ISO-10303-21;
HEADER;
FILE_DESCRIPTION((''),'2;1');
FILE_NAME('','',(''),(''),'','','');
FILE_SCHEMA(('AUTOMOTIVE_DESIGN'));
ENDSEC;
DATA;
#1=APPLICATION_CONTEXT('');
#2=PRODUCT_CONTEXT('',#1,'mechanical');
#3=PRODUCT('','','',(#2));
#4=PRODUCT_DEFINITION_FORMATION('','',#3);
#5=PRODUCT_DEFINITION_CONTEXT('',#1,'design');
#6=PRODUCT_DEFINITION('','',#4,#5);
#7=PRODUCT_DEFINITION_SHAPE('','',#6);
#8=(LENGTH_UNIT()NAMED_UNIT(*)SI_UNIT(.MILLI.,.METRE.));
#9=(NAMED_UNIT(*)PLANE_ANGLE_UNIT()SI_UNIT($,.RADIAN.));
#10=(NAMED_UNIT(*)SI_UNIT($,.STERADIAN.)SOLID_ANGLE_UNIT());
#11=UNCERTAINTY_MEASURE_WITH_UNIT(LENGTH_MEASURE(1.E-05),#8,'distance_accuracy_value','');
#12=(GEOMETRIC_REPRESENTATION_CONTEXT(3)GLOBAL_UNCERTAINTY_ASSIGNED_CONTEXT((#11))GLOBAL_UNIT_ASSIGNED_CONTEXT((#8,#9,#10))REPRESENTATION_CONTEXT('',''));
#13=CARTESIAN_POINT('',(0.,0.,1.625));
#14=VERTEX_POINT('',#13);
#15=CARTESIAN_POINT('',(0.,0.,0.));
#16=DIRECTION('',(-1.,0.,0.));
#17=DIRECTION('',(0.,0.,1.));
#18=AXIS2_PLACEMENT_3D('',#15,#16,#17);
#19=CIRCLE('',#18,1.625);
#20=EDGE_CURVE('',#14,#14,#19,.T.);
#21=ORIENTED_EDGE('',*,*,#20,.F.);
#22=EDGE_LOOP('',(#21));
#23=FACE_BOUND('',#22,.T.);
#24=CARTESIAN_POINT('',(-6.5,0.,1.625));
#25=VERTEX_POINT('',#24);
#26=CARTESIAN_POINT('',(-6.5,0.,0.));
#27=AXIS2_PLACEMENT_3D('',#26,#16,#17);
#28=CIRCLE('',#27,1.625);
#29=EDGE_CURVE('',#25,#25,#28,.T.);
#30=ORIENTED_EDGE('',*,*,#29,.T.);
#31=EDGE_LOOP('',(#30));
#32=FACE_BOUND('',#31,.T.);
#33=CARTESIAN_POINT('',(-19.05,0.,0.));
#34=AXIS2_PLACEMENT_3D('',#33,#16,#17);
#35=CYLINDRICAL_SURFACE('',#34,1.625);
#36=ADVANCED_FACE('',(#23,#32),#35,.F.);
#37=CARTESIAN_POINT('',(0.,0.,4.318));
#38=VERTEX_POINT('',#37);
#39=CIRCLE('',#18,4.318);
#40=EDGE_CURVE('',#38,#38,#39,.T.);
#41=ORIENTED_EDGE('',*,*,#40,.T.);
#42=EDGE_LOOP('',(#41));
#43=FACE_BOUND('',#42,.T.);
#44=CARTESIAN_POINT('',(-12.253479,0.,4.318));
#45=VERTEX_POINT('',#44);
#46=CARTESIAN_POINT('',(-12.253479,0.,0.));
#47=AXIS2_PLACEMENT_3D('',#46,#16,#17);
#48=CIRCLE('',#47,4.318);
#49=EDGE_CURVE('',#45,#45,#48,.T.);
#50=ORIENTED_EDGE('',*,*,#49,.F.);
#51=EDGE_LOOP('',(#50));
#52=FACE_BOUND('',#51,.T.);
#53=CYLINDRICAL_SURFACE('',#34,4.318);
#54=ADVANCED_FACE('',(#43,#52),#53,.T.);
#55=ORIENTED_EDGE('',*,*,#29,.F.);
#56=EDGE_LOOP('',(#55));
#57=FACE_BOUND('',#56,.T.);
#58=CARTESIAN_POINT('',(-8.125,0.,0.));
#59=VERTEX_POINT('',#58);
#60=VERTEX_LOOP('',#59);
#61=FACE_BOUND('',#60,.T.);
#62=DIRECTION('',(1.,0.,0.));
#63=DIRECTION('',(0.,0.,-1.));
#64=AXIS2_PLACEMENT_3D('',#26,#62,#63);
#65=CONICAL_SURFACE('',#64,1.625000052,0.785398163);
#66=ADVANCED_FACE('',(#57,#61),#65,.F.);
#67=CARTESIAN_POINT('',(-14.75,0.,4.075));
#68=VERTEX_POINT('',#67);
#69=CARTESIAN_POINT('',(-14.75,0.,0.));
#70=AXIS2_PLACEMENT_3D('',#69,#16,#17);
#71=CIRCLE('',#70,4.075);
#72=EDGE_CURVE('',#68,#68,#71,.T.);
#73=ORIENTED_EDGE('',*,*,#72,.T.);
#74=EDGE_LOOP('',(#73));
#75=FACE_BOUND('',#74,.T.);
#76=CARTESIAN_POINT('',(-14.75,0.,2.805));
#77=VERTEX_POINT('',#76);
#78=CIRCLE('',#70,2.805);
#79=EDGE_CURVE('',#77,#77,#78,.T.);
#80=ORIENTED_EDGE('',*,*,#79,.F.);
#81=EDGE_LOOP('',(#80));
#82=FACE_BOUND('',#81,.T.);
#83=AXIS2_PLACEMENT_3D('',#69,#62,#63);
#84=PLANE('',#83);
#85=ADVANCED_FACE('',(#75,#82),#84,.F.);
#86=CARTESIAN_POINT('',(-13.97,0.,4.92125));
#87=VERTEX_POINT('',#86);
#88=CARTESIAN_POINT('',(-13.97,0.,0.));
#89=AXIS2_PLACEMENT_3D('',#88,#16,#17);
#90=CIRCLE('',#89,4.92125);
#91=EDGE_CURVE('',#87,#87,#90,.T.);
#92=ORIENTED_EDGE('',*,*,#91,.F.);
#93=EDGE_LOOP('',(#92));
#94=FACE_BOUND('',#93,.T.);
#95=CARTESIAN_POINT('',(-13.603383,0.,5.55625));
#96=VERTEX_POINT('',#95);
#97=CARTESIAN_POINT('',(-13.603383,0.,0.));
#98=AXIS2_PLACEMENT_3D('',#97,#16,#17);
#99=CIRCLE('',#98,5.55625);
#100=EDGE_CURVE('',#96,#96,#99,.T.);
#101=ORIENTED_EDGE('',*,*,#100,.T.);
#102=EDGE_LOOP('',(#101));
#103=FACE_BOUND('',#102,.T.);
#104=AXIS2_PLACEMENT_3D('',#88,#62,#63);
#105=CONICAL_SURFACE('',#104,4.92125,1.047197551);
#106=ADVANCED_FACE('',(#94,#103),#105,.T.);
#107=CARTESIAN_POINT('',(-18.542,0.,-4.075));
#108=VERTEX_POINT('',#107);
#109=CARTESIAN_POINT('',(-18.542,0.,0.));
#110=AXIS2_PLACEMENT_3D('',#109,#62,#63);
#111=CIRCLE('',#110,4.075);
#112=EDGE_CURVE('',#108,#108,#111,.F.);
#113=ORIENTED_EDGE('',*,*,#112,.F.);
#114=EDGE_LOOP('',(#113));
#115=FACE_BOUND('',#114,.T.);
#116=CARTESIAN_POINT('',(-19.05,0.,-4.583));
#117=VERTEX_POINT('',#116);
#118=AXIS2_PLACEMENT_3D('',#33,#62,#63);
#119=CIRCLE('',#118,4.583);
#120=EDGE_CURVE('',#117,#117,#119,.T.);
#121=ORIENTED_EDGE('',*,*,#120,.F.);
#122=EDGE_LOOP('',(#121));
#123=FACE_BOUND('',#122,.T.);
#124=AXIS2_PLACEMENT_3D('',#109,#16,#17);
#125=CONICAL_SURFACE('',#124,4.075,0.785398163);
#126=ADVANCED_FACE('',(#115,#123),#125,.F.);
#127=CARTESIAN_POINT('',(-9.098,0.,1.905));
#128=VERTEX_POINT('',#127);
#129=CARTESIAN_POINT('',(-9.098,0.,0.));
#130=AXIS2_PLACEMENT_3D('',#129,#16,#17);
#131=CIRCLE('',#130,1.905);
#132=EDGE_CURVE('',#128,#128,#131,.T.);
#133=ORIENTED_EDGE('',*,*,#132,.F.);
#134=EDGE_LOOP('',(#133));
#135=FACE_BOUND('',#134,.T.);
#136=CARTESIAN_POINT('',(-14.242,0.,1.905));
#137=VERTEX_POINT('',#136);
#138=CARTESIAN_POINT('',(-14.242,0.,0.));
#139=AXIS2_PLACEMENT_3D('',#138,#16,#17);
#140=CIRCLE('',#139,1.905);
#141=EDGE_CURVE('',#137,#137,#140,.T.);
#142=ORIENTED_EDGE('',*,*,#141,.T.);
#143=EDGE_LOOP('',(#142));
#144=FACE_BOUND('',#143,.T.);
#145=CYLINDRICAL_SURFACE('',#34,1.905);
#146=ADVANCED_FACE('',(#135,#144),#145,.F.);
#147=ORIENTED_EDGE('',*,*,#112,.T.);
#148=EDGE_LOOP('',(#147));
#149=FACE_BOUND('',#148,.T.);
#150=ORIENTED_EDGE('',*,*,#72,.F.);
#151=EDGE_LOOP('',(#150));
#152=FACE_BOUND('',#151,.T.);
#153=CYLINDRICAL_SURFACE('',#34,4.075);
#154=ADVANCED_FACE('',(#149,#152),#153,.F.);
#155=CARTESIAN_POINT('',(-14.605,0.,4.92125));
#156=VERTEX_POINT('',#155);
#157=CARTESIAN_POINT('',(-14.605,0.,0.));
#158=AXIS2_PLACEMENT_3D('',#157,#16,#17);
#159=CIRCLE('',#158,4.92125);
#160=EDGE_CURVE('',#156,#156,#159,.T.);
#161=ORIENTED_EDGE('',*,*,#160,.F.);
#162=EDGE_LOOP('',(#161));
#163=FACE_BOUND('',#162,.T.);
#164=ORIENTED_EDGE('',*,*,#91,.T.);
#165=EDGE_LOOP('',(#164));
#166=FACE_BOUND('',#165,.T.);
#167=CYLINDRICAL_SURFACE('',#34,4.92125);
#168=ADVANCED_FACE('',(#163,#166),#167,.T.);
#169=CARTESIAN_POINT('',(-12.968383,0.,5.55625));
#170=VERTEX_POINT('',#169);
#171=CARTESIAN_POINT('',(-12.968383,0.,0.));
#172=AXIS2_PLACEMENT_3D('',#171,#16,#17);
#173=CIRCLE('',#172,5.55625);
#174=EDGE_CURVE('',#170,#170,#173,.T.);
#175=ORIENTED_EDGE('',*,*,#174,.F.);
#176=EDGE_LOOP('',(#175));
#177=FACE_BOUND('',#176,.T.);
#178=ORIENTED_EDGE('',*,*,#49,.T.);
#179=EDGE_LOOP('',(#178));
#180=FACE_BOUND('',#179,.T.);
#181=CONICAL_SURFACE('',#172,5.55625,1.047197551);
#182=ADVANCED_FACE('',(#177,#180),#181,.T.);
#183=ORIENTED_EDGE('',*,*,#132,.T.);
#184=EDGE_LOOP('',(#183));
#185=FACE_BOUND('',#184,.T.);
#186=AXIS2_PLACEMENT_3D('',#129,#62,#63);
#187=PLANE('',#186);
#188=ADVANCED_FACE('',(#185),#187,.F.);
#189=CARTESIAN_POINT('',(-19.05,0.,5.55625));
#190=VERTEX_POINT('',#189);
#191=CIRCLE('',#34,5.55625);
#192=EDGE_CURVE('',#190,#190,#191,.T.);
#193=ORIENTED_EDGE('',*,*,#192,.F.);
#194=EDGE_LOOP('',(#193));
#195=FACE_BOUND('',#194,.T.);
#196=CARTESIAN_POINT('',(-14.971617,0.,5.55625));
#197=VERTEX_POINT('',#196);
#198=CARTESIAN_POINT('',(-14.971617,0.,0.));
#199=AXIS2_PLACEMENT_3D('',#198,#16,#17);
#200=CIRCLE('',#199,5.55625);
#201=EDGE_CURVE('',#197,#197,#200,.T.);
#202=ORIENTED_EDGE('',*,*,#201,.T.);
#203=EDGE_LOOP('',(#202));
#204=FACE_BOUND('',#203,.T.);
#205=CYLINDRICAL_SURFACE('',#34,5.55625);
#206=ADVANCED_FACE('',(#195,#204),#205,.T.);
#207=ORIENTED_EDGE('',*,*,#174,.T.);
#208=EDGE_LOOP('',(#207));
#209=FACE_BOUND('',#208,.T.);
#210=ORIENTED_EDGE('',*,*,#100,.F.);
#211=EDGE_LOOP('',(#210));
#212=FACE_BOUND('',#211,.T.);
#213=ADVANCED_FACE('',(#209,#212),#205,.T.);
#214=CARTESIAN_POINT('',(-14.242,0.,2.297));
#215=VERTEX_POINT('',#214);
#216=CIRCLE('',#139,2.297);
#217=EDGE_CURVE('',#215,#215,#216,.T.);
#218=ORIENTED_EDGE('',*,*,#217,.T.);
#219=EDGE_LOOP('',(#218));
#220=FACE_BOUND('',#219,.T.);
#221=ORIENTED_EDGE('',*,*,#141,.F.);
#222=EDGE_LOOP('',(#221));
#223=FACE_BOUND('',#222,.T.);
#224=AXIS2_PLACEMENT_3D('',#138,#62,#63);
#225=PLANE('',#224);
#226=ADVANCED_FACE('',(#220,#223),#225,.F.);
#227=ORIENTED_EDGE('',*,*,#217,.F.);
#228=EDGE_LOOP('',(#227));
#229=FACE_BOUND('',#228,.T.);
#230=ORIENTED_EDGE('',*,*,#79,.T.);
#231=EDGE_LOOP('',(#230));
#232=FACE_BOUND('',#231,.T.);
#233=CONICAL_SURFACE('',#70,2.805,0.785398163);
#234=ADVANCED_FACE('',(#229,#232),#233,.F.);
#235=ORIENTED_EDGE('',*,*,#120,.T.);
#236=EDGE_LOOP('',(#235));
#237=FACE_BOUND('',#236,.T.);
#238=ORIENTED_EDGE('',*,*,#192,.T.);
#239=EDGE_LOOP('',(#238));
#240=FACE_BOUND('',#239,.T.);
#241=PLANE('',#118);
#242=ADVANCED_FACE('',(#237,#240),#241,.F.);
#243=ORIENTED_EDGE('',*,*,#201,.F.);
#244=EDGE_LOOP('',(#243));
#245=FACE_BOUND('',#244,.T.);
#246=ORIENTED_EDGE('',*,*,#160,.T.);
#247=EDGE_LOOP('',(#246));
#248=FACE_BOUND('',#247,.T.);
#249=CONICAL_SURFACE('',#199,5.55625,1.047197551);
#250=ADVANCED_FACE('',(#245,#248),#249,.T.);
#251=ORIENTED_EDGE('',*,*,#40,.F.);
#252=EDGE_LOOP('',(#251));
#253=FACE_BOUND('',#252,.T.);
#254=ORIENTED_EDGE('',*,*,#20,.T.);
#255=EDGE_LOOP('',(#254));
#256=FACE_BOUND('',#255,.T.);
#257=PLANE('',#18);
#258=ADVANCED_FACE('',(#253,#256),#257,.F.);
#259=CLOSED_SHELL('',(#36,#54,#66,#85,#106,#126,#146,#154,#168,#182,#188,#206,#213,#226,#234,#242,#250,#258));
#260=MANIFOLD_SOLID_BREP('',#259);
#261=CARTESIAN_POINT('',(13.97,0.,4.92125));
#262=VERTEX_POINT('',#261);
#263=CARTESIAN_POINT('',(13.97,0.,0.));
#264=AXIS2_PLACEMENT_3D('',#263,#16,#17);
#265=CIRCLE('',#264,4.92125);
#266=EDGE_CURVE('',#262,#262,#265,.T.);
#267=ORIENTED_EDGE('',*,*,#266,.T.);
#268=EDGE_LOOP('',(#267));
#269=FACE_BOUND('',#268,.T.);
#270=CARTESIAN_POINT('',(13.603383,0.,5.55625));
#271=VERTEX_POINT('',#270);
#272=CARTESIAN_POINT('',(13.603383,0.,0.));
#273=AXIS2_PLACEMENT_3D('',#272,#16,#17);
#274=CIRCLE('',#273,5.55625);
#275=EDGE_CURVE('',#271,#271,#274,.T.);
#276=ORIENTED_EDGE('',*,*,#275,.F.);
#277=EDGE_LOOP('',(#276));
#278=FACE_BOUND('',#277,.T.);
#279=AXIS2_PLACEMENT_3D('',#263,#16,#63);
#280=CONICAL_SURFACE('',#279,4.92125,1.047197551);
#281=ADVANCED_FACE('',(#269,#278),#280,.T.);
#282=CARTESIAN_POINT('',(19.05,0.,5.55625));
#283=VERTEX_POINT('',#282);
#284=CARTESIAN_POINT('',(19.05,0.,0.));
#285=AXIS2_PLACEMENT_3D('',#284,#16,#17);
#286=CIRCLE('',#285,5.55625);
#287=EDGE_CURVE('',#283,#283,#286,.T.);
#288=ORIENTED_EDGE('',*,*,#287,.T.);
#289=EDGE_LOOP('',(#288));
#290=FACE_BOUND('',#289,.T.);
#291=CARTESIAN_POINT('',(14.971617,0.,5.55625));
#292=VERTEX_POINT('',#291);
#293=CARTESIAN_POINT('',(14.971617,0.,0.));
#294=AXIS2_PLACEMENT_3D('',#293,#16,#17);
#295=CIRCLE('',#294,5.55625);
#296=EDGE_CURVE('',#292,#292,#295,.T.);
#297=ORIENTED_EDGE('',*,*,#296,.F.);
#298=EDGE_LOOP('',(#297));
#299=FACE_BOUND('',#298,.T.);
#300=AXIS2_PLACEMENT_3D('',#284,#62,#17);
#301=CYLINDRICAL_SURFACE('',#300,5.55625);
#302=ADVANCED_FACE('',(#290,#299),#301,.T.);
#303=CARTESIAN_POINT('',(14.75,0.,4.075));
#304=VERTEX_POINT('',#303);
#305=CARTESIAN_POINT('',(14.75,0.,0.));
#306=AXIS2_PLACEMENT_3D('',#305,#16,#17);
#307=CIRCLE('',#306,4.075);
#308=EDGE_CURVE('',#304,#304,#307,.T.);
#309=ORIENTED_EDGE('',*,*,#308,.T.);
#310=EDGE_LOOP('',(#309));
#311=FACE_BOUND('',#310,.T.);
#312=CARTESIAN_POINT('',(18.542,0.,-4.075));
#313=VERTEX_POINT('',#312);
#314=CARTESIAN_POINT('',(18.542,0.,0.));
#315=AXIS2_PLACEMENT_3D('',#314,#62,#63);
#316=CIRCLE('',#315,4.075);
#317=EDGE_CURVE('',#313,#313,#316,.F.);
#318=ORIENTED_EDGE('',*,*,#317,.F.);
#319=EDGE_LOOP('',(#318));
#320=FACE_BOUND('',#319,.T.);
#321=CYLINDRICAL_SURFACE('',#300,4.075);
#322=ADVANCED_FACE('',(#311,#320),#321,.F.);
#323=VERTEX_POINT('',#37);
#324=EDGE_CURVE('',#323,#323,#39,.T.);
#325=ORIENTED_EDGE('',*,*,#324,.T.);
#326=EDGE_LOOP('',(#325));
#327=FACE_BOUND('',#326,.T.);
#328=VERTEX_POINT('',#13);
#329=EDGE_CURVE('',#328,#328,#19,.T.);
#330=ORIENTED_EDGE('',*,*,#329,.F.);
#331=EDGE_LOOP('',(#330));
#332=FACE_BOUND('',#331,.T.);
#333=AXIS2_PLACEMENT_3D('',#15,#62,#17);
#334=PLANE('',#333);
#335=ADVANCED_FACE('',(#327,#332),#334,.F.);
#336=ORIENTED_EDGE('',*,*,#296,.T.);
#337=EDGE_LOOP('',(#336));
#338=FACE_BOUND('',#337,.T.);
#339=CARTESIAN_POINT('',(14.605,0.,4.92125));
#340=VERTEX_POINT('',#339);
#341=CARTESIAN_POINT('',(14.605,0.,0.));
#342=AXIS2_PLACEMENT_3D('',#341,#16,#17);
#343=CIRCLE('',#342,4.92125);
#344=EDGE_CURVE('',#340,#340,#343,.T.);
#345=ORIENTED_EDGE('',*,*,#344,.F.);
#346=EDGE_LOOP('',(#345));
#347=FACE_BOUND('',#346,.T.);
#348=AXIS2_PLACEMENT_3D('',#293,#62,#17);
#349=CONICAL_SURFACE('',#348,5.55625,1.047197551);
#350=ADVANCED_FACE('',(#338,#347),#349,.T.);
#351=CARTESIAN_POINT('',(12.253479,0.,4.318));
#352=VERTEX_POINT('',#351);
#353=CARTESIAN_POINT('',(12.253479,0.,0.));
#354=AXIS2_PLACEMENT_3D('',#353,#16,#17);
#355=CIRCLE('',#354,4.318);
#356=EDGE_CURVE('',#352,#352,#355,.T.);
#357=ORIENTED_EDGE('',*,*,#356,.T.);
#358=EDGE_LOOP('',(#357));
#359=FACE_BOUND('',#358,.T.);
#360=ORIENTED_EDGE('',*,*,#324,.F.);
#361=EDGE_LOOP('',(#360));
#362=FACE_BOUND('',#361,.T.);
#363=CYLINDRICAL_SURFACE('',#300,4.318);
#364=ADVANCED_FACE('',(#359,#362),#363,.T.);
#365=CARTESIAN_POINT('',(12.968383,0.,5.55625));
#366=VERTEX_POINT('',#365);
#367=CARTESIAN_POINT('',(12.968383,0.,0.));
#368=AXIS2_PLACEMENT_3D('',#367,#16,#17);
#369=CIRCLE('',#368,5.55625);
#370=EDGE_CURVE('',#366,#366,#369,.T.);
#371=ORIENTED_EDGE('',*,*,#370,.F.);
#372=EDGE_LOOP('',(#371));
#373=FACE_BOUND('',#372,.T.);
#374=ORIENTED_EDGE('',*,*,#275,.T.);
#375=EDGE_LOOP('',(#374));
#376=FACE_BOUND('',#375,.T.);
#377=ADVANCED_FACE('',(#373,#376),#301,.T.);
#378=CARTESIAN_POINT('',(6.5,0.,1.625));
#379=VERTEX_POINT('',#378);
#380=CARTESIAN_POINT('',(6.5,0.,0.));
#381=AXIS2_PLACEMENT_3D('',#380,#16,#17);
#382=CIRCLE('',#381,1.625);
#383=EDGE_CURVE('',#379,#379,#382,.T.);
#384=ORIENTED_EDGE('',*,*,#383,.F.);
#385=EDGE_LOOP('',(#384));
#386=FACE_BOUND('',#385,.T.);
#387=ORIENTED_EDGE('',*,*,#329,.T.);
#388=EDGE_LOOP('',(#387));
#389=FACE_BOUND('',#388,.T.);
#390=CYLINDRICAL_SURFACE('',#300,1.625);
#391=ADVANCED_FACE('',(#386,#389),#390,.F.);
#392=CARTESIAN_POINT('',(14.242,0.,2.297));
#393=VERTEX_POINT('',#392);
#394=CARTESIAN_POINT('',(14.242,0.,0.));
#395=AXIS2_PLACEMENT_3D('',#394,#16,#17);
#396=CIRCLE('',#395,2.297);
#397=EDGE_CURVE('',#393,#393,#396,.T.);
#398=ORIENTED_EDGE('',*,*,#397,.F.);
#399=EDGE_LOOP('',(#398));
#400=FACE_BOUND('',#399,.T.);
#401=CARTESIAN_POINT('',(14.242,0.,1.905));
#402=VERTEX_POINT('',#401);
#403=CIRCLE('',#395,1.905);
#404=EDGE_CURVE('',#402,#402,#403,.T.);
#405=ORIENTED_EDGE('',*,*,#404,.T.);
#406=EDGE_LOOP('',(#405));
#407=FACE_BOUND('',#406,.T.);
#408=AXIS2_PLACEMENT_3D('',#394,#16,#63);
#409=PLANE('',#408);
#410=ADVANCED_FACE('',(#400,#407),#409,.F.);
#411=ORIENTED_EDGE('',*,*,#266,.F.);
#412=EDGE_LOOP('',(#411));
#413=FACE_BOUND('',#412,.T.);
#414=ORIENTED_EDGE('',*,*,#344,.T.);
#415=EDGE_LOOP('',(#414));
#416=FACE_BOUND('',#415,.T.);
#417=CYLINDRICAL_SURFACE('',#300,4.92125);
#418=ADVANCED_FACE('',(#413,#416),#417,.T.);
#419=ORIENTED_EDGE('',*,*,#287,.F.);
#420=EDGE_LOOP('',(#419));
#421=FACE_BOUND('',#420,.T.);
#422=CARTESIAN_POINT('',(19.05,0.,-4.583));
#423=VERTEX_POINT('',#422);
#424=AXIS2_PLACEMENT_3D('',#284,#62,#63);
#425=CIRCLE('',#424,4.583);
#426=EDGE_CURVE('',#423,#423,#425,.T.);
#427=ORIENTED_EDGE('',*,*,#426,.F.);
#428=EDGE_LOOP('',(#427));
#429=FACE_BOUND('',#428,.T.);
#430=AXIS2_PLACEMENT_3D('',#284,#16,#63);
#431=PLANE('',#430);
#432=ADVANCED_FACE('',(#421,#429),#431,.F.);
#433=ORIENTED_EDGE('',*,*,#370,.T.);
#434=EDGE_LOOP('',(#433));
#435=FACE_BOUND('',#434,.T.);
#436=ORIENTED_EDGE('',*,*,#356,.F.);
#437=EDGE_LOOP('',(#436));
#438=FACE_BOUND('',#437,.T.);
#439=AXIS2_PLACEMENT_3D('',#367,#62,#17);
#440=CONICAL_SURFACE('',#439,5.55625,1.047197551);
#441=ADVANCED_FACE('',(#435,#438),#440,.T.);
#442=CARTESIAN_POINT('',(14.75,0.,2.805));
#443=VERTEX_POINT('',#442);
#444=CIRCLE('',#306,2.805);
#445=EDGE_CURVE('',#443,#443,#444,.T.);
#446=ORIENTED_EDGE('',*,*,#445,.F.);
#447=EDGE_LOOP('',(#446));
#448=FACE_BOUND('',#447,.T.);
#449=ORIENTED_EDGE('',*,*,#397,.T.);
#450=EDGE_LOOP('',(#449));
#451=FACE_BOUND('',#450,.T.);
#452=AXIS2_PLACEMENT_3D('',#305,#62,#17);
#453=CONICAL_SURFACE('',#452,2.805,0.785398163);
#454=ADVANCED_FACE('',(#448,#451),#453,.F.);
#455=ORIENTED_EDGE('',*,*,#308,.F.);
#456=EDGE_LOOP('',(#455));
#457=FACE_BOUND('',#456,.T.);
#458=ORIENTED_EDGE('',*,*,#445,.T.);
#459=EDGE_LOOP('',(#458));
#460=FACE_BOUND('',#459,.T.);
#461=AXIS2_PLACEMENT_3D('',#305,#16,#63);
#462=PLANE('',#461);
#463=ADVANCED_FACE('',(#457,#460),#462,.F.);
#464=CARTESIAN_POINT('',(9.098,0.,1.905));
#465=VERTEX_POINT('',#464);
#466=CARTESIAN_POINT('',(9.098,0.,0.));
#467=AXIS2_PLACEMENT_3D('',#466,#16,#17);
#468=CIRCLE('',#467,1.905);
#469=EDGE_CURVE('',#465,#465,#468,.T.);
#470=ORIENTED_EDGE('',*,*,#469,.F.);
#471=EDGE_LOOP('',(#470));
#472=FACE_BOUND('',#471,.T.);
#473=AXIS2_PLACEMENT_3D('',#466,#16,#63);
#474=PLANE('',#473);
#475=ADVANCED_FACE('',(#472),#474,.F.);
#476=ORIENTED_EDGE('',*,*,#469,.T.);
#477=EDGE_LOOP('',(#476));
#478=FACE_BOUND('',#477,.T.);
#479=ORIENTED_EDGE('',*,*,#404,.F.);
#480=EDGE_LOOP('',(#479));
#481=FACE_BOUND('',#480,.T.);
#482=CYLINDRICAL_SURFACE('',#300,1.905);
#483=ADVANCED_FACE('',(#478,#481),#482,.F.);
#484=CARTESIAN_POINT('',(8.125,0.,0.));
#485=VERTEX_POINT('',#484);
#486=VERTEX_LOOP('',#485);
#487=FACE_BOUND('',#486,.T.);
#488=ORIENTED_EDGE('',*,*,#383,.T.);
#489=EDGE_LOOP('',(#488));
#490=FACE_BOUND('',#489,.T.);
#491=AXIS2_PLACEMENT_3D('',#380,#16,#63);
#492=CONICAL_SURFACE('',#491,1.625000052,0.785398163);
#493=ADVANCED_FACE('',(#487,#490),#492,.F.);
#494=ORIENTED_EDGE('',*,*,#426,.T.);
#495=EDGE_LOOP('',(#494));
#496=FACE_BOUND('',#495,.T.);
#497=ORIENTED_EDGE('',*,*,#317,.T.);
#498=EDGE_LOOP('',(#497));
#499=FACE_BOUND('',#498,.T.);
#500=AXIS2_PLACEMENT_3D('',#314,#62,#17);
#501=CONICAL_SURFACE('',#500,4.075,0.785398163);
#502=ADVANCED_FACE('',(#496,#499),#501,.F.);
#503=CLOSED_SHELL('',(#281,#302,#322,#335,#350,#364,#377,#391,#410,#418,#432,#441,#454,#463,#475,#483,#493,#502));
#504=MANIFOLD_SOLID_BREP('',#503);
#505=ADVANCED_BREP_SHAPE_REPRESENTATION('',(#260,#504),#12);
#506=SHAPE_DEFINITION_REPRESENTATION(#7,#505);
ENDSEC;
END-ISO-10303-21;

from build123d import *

# Parameters (mm, degrees)
CHAMFER1_SIZE = 0.508


with BuildPart() as part:
    # Sketch2 → Revolve1 (revolve)
    with BuildSketch(Plane.XY, mode=Mode.PRIVATE) as revolve1_sk:
        Polygon((-14.971617421, 5.55625), (-19.05, 5.55625), (-19.05, 4.075), (-14.749999964, 4.075), (-14.749999964, 2.805), (-14.241999964, 2.297), (-14.241999964, 1.905), (-9.098, 1.905), (-9.098, 0), (-8.125000052, 0), (-6.5, 1.625000052), (0, 1.625000052), (0, 4.318), (-12.253478608, 4.318), (-12.968382579, 5.55625), (-13.603382579, 5.55625), (-13.97, 4.92125), (-14.605, 4.92125), align=None)
    revolve(revolve1_sk.sketch.rotate(Axis((-19.05, 0, 0), (1, 0, 0)), 90), axis=Axis((-19.05, 0, 0), (1, 0, 0)))

    # Chamfer1
    chamfer1_edges = [part.edges().sort_by_distance(p)[0] for p in [
        (-19.05, 0, -4.075),
    ]]
    chamfer(chamfer1_edges, length=CHAMFER1_SIZE)


with BuildPart() as body_2:
    # Mirror1: mirrored copy
    add(part.part.mirror(Plane(origin=(0, 0, 0), x_dir=(0, 0, 1), z_dir=(1, 0, 0))))


solid = Compound([part.part, body_2.part])
